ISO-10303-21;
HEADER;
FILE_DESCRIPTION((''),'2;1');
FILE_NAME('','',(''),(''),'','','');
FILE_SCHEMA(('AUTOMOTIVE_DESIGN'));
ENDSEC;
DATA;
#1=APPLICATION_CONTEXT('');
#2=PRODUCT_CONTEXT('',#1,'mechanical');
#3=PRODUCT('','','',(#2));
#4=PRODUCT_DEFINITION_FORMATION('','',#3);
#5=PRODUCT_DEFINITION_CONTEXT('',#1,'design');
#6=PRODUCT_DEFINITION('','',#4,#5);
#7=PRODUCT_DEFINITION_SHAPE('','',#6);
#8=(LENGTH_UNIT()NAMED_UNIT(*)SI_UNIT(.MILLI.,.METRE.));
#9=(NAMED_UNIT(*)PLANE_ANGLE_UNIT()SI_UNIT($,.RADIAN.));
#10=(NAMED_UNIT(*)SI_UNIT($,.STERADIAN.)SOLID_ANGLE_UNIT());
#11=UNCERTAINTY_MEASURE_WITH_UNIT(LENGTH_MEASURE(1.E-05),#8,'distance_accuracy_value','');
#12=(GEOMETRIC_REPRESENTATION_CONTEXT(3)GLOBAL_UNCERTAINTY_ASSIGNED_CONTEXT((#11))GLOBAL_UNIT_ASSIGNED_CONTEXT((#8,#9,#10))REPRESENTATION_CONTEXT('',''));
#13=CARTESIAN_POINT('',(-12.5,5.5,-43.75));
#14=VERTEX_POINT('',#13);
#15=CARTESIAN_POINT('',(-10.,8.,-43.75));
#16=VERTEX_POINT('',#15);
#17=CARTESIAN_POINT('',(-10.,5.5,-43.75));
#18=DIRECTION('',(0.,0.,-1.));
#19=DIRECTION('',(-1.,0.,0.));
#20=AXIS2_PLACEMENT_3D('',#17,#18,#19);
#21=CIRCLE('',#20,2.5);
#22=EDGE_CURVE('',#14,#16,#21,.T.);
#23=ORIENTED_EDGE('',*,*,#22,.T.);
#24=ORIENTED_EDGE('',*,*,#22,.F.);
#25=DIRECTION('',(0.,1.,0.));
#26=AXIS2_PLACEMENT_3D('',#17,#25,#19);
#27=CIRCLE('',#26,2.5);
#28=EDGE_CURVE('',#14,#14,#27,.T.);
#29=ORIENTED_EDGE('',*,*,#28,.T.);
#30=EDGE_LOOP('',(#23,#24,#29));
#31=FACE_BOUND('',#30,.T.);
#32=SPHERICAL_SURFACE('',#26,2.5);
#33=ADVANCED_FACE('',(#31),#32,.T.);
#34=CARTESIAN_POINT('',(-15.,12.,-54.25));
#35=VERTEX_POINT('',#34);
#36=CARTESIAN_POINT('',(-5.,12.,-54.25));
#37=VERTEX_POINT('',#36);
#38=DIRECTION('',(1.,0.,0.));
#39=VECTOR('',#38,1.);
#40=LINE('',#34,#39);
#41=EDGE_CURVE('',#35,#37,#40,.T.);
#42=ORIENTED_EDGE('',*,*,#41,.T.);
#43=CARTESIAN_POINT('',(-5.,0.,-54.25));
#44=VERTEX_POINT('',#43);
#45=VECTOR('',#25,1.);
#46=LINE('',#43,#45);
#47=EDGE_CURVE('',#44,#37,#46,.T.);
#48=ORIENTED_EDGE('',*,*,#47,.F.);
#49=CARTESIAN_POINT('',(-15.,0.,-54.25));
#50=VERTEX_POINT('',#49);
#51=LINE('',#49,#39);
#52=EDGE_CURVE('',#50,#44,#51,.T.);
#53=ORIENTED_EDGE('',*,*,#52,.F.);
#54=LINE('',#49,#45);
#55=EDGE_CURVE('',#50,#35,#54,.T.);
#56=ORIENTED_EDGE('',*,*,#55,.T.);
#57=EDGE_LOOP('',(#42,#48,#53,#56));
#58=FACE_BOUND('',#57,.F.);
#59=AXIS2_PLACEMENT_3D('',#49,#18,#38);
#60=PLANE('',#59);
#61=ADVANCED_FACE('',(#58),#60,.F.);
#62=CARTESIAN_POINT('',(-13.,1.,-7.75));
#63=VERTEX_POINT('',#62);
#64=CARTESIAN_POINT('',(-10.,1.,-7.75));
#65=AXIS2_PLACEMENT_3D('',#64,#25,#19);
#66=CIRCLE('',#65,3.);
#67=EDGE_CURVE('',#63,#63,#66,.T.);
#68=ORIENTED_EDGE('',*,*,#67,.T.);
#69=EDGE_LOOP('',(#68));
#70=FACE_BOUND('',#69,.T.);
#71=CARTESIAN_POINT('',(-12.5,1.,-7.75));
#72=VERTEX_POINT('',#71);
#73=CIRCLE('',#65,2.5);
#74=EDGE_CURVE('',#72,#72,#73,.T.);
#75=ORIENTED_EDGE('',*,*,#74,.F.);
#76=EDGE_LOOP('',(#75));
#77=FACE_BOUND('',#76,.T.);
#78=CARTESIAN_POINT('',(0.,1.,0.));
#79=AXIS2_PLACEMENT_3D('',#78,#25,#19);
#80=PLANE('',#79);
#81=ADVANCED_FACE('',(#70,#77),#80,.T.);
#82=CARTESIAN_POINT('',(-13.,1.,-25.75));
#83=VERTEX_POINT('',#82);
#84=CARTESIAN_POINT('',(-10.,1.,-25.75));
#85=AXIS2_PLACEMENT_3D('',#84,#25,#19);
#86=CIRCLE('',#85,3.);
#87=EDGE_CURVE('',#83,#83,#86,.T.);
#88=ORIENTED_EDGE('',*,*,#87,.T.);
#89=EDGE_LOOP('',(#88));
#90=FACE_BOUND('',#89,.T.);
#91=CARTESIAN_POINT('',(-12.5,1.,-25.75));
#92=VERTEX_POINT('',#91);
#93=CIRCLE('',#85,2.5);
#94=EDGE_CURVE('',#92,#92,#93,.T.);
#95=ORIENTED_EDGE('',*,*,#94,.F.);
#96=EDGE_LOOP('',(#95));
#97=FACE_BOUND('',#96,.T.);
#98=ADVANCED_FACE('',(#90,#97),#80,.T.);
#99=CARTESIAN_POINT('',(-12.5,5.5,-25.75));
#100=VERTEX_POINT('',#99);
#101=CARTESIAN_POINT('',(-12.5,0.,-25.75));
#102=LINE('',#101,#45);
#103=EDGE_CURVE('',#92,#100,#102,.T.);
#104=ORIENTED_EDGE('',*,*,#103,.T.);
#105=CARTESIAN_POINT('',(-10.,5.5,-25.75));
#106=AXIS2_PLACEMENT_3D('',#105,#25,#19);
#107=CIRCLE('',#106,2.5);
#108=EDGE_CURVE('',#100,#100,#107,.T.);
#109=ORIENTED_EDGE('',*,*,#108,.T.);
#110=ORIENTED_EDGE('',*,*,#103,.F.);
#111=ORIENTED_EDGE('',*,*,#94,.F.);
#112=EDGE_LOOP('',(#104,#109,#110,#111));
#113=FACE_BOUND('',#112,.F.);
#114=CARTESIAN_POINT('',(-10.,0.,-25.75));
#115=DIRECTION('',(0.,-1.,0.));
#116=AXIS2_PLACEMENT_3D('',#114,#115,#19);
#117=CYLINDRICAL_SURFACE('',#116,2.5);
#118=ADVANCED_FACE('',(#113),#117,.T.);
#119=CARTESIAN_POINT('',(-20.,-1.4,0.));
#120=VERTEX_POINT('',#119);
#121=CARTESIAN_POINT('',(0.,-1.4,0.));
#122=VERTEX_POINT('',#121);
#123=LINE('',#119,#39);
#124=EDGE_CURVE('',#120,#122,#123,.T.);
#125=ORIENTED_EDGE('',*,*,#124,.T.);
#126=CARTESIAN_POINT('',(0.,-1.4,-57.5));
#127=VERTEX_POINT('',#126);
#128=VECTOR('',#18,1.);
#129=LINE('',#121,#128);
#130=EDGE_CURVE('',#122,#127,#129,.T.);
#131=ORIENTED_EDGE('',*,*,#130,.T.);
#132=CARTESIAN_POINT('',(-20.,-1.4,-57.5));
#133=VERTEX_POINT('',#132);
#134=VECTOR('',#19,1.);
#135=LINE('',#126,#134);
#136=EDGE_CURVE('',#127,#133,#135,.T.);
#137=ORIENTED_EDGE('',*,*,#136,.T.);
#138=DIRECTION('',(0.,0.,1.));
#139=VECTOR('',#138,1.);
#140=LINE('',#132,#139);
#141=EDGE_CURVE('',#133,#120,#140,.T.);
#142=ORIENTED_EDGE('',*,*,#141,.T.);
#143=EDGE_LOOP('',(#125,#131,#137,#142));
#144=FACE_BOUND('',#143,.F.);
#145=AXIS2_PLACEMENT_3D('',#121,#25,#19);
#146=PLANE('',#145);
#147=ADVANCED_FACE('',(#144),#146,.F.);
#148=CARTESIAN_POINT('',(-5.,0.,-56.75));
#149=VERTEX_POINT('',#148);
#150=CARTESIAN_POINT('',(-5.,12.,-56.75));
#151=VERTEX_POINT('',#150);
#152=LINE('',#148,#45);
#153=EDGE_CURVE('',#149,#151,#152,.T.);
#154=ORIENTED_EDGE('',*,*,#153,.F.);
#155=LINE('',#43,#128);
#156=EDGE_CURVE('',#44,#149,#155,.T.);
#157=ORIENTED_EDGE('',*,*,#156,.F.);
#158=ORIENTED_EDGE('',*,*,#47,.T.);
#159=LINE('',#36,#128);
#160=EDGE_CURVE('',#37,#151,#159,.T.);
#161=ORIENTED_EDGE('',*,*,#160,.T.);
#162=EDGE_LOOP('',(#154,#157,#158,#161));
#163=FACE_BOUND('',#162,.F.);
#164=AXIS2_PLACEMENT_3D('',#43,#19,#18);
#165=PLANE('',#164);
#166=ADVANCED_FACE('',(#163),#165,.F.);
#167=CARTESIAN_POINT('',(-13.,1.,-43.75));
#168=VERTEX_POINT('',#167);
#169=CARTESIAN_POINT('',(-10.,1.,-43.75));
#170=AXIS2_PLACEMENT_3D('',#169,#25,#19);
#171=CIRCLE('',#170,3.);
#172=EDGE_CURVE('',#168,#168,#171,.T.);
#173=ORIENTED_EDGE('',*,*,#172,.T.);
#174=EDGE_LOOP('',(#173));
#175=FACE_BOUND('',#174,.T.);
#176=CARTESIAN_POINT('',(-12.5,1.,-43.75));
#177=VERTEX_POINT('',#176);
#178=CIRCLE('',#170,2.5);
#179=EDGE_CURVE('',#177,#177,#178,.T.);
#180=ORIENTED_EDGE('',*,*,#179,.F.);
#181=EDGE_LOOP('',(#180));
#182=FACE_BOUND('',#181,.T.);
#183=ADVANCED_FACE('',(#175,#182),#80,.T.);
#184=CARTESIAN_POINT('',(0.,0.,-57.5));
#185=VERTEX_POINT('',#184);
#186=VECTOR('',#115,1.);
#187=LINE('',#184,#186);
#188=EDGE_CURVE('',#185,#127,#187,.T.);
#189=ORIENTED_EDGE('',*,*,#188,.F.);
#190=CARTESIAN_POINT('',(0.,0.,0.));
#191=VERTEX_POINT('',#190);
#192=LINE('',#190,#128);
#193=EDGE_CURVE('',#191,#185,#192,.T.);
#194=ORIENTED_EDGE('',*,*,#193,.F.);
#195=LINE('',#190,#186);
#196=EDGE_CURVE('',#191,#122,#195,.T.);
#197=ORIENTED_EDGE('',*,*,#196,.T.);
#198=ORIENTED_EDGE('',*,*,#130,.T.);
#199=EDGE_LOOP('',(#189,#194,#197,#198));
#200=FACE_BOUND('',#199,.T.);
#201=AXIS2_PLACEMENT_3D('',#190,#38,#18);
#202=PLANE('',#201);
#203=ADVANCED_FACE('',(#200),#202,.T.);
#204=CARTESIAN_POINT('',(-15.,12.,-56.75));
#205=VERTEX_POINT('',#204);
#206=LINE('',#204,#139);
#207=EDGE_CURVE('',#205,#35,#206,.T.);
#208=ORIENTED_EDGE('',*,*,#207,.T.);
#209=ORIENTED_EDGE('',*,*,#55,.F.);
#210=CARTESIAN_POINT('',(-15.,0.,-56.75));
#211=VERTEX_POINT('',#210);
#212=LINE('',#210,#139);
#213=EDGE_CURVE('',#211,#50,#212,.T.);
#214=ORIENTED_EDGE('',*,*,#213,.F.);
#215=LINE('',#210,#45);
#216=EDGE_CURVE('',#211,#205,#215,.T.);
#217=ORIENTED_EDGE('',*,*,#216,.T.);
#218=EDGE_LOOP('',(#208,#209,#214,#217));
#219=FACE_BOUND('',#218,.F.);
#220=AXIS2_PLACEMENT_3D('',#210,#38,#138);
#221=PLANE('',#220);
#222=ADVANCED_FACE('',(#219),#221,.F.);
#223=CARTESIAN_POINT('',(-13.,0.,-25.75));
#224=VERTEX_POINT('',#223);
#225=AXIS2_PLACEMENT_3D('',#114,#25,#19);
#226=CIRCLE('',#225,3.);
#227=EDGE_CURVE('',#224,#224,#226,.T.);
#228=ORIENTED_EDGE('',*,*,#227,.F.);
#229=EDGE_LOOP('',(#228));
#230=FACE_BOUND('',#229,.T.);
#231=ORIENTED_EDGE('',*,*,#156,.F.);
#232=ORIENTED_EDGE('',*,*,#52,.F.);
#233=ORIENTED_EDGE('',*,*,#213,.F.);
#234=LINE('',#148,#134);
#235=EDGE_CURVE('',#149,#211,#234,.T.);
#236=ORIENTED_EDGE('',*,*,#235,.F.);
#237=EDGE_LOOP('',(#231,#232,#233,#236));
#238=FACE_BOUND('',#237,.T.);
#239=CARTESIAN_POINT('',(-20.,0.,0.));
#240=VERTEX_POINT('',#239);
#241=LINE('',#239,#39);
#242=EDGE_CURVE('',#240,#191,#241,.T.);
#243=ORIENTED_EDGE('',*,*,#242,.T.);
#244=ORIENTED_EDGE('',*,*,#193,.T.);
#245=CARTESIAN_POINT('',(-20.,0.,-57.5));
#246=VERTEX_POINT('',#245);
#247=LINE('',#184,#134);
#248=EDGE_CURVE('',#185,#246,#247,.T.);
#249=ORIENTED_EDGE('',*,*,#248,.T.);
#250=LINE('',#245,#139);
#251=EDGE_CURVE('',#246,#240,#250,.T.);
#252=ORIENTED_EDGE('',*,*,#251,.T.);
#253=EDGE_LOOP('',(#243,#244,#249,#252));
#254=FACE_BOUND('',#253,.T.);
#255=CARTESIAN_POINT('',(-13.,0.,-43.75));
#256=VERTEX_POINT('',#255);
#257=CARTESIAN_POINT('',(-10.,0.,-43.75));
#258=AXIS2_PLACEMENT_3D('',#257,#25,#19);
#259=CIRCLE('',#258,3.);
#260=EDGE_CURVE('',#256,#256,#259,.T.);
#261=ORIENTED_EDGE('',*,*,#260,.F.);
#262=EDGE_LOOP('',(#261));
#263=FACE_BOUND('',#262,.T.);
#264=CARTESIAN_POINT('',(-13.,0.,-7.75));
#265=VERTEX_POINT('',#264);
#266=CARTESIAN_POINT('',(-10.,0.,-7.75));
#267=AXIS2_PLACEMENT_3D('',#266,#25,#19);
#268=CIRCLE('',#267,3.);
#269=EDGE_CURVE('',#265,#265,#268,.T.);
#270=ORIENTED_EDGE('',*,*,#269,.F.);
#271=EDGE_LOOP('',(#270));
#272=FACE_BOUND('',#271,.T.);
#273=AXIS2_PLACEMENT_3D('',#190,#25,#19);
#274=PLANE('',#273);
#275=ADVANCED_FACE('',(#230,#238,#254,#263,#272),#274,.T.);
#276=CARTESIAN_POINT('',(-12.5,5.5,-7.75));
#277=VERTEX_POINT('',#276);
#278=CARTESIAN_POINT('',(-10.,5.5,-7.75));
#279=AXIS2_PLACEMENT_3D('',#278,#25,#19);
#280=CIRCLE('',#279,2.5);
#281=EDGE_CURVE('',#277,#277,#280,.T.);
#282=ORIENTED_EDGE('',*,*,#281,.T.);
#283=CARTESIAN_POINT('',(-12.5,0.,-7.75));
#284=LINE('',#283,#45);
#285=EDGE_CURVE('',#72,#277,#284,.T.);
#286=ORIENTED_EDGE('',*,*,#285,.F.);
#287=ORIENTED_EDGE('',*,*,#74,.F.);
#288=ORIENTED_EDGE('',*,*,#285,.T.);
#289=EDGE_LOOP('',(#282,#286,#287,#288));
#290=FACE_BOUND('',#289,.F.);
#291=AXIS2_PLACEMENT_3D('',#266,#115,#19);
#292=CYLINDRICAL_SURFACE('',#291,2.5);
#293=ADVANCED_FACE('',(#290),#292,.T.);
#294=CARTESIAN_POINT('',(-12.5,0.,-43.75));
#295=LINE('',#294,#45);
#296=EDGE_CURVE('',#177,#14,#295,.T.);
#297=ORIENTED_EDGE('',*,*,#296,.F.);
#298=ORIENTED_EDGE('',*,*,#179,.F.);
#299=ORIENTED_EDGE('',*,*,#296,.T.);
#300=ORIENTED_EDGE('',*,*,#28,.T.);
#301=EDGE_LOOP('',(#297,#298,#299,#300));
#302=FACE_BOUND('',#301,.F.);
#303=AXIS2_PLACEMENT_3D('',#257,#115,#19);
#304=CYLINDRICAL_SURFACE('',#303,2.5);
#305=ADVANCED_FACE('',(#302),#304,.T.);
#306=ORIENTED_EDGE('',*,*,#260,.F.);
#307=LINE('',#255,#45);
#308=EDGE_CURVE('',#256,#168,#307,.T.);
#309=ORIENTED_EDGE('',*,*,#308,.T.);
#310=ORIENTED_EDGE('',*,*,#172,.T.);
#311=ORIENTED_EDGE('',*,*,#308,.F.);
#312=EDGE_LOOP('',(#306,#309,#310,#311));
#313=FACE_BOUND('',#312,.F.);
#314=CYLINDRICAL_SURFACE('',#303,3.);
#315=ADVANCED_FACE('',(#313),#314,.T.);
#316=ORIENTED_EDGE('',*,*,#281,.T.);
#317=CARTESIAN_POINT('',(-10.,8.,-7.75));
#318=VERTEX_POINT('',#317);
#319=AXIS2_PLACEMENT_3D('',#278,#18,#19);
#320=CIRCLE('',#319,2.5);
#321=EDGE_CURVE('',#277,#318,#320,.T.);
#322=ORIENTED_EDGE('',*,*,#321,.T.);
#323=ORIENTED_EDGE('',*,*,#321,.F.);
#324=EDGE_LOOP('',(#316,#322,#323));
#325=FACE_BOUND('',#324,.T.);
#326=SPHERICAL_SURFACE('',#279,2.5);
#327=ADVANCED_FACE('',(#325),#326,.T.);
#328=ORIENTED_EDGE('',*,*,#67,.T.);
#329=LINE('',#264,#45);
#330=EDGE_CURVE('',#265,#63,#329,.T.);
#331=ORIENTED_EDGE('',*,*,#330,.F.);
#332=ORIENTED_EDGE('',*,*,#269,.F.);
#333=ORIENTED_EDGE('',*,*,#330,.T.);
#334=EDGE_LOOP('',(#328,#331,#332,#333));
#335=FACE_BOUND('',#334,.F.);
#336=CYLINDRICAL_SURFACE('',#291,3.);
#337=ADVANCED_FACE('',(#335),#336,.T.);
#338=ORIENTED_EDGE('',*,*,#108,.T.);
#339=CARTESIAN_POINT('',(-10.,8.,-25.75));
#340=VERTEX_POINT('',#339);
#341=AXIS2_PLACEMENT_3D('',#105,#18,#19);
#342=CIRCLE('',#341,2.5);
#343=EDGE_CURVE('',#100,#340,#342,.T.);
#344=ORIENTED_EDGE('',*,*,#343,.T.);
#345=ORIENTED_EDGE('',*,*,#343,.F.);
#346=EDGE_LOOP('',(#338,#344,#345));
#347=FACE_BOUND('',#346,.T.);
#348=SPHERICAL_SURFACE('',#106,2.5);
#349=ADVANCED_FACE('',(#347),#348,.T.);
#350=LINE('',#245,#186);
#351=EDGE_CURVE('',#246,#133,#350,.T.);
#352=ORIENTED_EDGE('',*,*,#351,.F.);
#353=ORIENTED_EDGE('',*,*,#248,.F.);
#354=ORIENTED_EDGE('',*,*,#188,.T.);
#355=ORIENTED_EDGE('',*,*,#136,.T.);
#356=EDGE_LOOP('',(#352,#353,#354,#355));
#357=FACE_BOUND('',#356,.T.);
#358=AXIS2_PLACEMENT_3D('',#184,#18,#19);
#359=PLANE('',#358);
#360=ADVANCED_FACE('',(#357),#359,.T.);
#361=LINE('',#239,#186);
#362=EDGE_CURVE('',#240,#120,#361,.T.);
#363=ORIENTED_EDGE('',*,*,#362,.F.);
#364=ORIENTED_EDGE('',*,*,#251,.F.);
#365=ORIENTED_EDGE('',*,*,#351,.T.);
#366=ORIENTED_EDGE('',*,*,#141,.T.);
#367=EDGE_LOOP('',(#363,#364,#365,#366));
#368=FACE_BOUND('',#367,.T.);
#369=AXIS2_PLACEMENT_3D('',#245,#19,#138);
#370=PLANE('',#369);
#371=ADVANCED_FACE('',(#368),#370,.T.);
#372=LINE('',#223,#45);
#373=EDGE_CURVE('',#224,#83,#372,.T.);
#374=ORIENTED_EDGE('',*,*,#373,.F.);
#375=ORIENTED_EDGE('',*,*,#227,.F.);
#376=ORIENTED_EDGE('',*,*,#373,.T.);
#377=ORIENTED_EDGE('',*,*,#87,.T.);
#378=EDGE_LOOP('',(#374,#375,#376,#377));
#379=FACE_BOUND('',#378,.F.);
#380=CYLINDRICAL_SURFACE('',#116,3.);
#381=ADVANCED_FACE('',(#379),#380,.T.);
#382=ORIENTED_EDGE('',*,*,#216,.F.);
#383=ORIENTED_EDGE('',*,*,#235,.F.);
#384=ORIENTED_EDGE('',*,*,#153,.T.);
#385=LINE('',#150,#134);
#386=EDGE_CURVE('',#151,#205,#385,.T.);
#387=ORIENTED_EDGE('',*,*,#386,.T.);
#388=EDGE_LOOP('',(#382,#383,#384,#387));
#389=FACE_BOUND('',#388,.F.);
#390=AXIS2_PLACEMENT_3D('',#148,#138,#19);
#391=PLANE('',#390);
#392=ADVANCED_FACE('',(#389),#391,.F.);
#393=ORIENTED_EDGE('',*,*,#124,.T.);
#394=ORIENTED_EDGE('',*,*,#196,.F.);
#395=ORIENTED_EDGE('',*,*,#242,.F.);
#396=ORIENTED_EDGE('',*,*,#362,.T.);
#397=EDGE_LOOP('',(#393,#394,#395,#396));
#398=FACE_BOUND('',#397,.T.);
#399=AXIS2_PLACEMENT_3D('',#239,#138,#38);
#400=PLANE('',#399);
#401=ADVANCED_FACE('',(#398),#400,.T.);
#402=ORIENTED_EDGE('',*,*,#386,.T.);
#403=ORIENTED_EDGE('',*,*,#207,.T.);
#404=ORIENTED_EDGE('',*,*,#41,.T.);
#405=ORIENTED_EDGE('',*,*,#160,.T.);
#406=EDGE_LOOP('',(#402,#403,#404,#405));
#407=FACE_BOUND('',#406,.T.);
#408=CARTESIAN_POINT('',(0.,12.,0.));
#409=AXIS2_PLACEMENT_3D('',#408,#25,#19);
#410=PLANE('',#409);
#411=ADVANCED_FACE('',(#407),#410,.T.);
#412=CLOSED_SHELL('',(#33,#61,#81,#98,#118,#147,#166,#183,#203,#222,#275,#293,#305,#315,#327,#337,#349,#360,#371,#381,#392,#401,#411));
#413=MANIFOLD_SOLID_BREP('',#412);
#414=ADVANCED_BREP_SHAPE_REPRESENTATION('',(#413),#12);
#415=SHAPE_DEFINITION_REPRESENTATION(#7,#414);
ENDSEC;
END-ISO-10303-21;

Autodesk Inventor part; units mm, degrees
ref_plane "YZ Plane" through (0, 0, 0) normal (1, 0, 0) x (0, 1, 0)
ref_plane "XZ Plane" through (0, 0, 0) normal (0, 1, 0) x (-1, 0, 0)
ref_plane "XY Plane" through (0, 0, 0) normal (0, 0, 1) x (1, 0, 0)
sketch "Sketch1" plane through (0, 0, 0) normal (0, 1, 0) x (-1, 0, 0)
  line L0 (20, 0) -> (0, 0)
  line L1 (0, 0) -> (0, -57.5)
  line L2 (0, -57.5) -> (20, -57.5)
  line L3 (20, -57.5) -> (20, 0)
  circle A0 centre (10, -7.75) radius 2.5
  circle A1 centre (10, -25.75) radius 2.5
  circle A2 centre (10, -43.75) radius 2.5
  line L4 (15, -54.25) -> (5, -54.25)
  line L5 (5, -54.25) -> (5, -56.75)
  line L6 (5, -56.75) -> (15, -56.75)
  line L7 (15, -56.75) -> (15, -54.25)
  circle A3 centre (10, -7.75) radius 3
  circle A4 centre (10, -25.75) radius 3
  circle A5 centre (10, -43.75) radius 3
  dimension "d0" = 57.5
  dimension "d1" = 20
  dimension "d2" = 5
  dimension "d3" = 5
  dimension "d4" = 5
  dimension "d8" = 0.75
  dimension "d9" = 2.5
  dimension "d10" = 10
  dimension "d20" = 10
  dimension "d21" = 5
  dimension "d22" = 6
  dimension "d23" = 6
  dimension "d24" = 6
  dimension "d45" = 7.75
  dimension "d46" = 18
  dimension "d47" = 18
extrude "Extrusion1" add sketch "Sketch1" against normal blind 1.4 contours L3 L2 L1 L0 | A0 | A1 | A2 | L7 L6 L5 L4 | A3 | A4 | A5
extrude "Extrusion2" add sketch "Sketch1" along normal blind 12 contours L7 L6 L5 L4
extrude "Extrusion5" add sketch "Sketch1" along normal blind 8 contours A0
extrude "Extrusion6" add sketch "Sketch1" along normal blind 1 contours A3
fillet "Fillet4" radius 2.5 1 edges at (-7.5, 8, -7.75)
extrude "Extrusion7" add sketch "Sketch1" along normal blind 1 contours A4
extrude "Extrusion8" add sketch "Sketch1" along normal blind 8 contours A1
fillet "Fillet5" radius 2.5 1 edges at (-7.5, 8, -25.75)
extrude "Extrusion9" add sketch "Sketch1" along normal blind 8 contours A2
extrude "Extrusion10" add sketch "Sketch1" along normal blind 1 contours A5
fillet "Fillet6" radius 2.5 1 edges at (-7.5, 8, -43.75)
properties part number "Led_Board_V1"
